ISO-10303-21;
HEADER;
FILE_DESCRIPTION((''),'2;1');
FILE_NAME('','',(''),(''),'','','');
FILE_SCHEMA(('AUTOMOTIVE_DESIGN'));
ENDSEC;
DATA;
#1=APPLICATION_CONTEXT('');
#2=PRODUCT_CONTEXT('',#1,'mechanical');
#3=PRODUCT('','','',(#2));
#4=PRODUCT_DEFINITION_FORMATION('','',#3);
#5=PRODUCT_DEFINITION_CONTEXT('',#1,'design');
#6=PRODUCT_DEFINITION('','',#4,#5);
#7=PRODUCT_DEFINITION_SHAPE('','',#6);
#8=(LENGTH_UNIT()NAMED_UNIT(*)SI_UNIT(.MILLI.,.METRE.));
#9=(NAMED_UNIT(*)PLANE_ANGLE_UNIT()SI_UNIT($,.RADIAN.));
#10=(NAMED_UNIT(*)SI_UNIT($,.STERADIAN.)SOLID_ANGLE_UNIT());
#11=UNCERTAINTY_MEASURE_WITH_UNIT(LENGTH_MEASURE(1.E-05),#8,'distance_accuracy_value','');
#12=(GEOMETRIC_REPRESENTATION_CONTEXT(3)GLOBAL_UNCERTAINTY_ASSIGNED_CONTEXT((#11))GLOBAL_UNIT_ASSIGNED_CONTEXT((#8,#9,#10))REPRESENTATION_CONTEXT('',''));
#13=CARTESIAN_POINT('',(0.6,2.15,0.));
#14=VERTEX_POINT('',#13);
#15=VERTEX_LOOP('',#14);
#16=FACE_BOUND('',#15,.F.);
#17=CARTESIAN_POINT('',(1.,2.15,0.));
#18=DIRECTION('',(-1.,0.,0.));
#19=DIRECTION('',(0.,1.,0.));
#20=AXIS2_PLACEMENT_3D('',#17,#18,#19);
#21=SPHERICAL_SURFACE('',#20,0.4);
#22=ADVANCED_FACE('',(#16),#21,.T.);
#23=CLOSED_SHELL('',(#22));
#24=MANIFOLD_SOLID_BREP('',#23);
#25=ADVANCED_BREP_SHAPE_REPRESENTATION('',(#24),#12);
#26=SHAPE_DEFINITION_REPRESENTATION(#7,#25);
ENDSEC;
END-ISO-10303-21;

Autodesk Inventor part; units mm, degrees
ref_plane "YZ Plane" through (0, 0, 0) normal (1, 0, 0) x (0, 1, 0)
ref_plane "XZ Plane" through (0, 0, 0) normal (0, 1, 0) x (-1, 0, 0)
ref_plane "XY Plane" through (0, 0, 0) normal (0, 0, 1) x (1, 0, 0)
sketch "Sketch_6" plane through (0, 0, 0) normal (0, 0, 1) x (1, 0, 0)
  line L0 (1.4, 2.15) -> (0.6, 2.15)
  arc A0 (1.4, 2.15) -> (0.6, 2.15) centre (1, 2.15) ccw
  line L1 (1.4, 2.15) -> (0.6, 2.15)
  dimension "d0" = 360
revolve "Revolution1" add sketch "Sketch_6" angle 360 about axis through (1.4, 2.15, 0) along (1, 0, 0)
properties part number "SKF_W 617/3_PART3"
